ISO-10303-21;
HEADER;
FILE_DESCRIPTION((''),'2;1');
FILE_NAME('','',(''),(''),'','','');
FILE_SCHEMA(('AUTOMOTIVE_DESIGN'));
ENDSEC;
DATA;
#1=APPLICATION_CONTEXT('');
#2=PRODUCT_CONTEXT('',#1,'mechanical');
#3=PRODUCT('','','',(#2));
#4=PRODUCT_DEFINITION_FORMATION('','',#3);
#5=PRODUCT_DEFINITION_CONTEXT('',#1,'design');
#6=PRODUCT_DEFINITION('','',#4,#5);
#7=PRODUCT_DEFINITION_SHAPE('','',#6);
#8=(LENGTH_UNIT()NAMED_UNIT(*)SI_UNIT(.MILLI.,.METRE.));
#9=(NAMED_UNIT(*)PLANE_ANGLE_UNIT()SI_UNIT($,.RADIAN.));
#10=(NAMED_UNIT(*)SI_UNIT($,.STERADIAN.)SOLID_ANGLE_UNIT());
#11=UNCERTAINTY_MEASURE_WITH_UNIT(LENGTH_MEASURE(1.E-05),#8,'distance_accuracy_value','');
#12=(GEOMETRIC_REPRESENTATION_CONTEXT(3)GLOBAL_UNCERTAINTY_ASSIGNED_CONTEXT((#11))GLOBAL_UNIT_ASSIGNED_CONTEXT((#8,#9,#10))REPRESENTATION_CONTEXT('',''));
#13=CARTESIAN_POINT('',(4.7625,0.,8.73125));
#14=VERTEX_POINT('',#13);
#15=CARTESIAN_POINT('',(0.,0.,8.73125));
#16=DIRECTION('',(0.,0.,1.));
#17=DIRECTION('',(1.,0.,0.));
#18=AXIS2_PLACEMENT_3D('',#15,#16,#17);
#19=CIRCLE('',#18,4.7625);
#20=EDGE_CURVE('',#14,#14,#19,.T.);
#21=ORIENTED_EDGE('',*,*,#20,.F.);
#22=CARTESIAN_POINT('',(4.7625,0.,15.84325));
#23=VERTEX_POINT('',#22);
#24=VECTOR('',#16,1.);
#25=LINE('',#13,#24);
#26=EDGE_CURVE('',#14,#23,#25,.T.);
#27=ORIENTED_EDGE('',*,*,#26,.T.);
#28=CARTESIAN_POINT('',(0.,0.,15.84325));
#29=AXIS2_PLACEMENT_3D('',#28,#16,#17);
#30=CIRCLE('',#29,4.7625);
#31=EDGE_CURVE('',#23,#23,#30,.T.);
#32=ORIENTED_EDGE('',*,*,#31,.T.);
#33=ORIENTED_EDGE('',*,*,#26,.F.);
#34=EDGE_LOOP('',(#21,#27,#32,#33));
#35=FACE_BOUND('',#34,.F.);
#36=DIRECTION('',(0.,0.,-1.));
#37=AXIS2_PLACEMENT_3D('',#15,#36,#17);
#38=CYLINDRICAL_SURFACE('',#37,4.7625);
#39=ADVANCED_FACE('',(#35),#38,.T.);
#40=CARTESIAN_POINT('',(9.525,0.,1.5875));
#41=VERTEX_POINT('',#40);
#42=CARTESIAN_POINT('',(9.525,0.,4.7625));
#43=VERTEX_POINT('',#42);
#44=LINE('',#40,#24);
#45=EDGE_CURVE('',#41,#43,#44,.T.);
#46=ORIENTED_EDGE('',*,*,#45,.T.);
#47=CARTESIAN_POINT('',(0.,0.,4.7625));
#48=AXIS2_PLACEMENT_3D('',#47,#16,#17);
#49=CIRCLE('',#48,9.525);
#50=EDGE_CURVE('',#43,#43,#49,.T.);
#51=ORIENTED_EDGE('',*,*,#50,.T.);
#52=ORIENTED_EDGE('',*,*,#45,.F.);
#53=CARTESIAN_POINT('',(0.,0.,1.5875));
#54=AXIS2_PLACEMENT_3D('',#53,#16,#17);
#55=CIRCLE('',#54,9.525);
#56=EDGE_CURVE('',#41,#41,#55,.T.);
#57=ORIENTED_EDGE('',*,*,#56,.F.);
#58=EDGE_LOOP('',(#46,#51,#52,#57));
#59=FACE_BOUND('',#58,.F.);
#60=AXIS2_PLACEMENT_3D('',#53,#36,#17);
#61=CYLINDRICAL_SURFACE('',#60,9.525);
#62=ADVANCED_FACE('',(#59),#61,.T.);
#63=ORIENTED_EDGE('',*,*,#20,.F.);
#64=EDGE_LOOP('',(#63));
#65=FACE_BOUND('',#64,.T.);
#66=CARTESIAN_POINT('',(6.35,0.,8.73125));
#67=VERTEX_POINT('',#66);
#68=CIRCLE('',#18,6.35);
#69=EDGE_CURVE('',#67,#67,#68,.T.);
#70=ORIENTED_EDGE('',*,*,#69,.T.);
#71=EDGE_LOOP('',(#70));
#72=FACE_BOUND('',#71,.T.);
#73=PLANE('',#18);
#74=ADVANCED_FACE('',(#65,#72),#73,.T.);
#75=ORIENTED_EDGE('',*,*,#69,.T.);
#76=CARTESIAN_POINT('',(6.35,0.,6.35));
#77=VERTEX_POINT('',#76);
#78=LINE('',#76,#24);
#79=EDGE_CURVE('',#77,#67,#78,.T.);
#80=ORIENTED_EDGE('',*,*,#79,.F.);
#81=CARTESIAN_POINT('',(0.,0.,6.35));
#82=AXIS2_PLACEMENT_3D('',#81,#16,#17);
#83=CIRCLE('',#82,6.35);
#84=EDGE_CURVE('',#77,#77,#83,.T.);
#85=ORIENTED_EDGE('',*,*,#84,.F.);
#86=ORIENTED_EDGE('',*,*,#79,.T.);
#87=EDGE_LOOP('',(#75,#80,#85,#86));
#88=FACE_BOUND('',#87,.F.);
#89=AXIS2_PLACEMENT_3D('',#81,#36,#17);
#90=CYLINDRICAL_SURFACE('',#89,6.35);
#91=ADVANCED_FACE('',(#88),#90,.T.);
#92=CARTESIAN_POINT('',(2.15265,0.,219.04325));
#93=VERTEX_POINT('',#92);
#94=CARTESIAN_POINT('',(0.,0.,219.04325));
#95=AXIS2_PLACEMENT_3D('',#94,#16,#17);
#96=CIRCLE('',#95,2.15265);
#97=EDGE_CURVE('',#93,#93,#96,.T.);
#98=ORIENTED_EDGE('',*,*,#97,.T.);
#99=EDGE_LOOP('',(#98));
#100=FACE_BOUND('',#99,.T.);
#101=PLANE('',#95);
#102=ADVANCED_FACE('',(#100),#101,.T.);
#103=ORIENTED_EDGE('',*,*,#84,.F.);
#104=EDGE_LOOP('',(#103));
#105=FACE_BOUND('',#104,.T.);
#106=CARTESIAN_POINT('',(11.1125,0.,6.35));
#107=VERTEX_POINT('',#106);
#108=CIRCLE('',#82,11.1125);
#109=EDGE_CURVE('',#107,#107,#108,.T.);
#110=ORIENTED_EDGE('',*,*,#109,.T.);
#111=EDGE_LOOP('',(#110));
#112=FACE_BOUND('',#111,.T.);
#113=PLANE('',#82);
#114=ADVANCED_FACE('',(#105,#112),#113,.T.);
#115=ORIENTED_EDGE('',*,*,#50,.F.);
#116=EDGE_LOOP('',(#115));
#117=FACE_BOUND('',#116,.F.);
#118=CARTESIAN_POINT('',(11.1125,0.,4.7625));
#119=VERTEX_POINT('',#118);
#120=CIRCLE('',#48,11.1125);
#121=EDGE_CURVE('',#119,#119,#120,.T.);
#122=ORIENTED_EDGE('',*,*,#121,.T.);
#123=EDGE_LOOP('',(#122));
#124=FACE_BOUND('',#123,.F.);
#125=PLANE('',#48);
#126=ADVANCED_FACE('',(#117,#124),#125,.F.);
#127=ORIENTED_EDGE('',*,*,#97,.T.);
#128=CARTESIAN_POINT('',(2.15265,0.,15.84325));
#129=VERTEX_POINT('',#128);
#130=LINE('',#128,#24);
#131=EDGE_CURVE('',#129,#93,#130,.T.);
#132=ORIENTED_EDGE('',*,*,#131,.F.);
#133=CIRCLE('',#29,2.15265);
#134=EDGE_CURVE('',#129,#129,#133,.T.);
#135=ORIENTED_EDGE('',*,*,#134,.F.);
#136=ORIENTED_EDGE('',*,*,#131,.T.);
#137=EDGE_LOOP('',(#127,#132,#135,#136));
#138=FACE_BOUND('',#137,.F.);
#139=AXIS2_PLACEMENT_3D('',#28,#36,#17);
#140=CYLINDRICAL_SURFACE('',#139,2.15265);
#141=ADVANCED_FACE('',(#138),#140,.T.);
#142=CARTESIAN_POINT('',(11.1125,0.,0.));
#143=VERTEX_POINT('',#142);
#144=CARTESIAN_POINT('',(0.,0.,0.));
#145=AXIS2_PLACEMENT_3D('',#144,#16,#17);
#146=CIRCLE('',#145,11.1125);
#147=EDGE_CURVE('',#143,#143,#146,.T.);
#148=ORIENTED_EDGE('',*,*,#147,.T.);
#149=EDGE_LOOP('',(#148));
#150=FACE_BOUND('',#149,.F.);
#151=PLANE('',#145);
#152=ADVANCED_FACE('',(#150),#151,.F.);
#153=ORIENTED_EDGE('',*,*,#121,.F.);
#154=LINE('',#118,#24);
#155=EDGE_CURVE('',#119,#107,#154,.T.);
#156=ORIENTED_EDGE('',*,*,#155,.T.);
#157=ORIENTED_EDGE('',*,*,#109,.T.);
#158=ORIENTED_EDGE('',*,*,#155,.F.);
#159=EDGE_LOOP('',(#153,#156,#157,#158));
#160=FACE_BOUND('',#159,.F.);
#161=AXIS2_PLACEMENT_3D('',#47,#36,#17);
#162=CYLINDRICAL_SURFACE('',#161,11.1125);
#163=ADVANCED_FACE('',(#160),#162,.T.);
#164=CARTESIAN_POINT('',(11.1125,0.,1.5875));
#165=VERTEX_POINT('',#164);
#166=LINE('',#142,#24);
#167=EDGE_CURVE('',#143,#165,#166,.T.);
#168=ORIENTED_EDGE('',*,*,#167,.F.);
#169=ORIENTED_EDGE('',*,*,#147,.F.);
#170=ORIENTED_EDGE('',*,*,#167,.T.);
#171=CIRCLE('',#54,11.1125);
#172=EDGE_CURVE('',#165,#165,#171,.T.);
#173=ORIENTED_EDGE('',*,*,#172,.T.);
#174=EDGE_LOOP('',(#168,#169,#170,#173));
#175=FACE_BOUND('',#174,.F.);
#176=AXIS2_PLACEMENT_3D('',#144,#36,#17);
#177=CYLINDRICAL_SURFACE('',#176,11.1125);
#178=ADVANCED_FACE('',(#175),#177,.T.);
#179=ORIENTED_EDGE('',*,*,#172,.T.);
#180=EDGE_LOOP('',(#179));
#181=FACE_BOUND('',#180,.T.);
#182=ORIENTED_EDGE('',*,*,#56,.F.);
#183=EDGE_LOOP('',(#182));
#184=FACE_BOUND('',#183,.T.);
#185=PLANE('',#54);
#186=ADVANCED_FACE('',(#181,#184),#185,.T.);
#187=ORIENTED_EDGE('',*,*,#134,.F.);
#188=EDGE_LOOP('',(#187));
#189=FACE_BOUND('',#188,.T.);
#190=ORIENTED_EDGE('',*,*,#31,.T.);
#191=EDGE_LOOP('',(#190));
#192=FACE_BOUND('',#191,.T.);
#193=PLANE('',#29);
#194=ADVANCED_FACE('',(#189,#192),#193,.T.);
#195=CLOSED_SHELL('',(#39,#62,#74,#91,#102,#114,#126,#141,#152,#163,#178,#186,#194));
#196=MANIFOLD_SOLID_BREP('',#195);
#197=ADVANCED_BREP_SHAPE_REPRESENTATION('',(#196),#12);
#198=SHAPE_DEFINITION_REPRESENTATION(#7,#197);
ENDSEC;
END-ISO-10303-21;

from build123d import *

# Parameters (mm, degrees)
F0_R      = 11.1125
F1_DEPTH  = 1.5875
F2_R      = 9.525
F3_DEPTH  = 3.175
F4_R      = 11.1125
F5_DEPTH  = 1.5875
F6_R      = 6.35
F7_DEPTH  = 2.38125
F8_R      = 4.7625
F9_DEPTH  = 7.112
F10_R     = 2.15265
F11_DEPTH = 203.2


with BuildPart() as f1:
    # F0 (on Top) → F1 (new body)
    with BuildSketch(Plane.XY):
        Circle(F0_R)
    extrude(amount=F1_DEPTH)

    # F2 (on face) → F3 (join)
    with BuildSketch(Plane.XY.offset(1.5875)):
        Circle(F2_R)
    extrude(amount=F3_DEPTH)

    # F4 (on face) → F5 (join)
    with BuildSketch(Plane.XY.offset(4.7625)):
        Circle(F4_R)
    extrude(amount=F5_DEPTH)

    # F6 (on face) → F7 (join)
    with BuildSketch(Plane.XY.offset(6.35)):
        Circle(F6_R)
    extrude(amount=F7_DEPTH)

    # F8 (on face) → F9 (join)
    with BuildSketch(Plane.XY.offset(8.73125)):
        Circle(F8_R)
    extrude(amount=F9_DEPTH)

    # F10 (on face) → F11 (join)
    with BuildSketch(Plane.XY.offset(15.84325)):
        Circle(F10_R)
    extrude(amount=F11_DEPTH)


solid = f1.part
